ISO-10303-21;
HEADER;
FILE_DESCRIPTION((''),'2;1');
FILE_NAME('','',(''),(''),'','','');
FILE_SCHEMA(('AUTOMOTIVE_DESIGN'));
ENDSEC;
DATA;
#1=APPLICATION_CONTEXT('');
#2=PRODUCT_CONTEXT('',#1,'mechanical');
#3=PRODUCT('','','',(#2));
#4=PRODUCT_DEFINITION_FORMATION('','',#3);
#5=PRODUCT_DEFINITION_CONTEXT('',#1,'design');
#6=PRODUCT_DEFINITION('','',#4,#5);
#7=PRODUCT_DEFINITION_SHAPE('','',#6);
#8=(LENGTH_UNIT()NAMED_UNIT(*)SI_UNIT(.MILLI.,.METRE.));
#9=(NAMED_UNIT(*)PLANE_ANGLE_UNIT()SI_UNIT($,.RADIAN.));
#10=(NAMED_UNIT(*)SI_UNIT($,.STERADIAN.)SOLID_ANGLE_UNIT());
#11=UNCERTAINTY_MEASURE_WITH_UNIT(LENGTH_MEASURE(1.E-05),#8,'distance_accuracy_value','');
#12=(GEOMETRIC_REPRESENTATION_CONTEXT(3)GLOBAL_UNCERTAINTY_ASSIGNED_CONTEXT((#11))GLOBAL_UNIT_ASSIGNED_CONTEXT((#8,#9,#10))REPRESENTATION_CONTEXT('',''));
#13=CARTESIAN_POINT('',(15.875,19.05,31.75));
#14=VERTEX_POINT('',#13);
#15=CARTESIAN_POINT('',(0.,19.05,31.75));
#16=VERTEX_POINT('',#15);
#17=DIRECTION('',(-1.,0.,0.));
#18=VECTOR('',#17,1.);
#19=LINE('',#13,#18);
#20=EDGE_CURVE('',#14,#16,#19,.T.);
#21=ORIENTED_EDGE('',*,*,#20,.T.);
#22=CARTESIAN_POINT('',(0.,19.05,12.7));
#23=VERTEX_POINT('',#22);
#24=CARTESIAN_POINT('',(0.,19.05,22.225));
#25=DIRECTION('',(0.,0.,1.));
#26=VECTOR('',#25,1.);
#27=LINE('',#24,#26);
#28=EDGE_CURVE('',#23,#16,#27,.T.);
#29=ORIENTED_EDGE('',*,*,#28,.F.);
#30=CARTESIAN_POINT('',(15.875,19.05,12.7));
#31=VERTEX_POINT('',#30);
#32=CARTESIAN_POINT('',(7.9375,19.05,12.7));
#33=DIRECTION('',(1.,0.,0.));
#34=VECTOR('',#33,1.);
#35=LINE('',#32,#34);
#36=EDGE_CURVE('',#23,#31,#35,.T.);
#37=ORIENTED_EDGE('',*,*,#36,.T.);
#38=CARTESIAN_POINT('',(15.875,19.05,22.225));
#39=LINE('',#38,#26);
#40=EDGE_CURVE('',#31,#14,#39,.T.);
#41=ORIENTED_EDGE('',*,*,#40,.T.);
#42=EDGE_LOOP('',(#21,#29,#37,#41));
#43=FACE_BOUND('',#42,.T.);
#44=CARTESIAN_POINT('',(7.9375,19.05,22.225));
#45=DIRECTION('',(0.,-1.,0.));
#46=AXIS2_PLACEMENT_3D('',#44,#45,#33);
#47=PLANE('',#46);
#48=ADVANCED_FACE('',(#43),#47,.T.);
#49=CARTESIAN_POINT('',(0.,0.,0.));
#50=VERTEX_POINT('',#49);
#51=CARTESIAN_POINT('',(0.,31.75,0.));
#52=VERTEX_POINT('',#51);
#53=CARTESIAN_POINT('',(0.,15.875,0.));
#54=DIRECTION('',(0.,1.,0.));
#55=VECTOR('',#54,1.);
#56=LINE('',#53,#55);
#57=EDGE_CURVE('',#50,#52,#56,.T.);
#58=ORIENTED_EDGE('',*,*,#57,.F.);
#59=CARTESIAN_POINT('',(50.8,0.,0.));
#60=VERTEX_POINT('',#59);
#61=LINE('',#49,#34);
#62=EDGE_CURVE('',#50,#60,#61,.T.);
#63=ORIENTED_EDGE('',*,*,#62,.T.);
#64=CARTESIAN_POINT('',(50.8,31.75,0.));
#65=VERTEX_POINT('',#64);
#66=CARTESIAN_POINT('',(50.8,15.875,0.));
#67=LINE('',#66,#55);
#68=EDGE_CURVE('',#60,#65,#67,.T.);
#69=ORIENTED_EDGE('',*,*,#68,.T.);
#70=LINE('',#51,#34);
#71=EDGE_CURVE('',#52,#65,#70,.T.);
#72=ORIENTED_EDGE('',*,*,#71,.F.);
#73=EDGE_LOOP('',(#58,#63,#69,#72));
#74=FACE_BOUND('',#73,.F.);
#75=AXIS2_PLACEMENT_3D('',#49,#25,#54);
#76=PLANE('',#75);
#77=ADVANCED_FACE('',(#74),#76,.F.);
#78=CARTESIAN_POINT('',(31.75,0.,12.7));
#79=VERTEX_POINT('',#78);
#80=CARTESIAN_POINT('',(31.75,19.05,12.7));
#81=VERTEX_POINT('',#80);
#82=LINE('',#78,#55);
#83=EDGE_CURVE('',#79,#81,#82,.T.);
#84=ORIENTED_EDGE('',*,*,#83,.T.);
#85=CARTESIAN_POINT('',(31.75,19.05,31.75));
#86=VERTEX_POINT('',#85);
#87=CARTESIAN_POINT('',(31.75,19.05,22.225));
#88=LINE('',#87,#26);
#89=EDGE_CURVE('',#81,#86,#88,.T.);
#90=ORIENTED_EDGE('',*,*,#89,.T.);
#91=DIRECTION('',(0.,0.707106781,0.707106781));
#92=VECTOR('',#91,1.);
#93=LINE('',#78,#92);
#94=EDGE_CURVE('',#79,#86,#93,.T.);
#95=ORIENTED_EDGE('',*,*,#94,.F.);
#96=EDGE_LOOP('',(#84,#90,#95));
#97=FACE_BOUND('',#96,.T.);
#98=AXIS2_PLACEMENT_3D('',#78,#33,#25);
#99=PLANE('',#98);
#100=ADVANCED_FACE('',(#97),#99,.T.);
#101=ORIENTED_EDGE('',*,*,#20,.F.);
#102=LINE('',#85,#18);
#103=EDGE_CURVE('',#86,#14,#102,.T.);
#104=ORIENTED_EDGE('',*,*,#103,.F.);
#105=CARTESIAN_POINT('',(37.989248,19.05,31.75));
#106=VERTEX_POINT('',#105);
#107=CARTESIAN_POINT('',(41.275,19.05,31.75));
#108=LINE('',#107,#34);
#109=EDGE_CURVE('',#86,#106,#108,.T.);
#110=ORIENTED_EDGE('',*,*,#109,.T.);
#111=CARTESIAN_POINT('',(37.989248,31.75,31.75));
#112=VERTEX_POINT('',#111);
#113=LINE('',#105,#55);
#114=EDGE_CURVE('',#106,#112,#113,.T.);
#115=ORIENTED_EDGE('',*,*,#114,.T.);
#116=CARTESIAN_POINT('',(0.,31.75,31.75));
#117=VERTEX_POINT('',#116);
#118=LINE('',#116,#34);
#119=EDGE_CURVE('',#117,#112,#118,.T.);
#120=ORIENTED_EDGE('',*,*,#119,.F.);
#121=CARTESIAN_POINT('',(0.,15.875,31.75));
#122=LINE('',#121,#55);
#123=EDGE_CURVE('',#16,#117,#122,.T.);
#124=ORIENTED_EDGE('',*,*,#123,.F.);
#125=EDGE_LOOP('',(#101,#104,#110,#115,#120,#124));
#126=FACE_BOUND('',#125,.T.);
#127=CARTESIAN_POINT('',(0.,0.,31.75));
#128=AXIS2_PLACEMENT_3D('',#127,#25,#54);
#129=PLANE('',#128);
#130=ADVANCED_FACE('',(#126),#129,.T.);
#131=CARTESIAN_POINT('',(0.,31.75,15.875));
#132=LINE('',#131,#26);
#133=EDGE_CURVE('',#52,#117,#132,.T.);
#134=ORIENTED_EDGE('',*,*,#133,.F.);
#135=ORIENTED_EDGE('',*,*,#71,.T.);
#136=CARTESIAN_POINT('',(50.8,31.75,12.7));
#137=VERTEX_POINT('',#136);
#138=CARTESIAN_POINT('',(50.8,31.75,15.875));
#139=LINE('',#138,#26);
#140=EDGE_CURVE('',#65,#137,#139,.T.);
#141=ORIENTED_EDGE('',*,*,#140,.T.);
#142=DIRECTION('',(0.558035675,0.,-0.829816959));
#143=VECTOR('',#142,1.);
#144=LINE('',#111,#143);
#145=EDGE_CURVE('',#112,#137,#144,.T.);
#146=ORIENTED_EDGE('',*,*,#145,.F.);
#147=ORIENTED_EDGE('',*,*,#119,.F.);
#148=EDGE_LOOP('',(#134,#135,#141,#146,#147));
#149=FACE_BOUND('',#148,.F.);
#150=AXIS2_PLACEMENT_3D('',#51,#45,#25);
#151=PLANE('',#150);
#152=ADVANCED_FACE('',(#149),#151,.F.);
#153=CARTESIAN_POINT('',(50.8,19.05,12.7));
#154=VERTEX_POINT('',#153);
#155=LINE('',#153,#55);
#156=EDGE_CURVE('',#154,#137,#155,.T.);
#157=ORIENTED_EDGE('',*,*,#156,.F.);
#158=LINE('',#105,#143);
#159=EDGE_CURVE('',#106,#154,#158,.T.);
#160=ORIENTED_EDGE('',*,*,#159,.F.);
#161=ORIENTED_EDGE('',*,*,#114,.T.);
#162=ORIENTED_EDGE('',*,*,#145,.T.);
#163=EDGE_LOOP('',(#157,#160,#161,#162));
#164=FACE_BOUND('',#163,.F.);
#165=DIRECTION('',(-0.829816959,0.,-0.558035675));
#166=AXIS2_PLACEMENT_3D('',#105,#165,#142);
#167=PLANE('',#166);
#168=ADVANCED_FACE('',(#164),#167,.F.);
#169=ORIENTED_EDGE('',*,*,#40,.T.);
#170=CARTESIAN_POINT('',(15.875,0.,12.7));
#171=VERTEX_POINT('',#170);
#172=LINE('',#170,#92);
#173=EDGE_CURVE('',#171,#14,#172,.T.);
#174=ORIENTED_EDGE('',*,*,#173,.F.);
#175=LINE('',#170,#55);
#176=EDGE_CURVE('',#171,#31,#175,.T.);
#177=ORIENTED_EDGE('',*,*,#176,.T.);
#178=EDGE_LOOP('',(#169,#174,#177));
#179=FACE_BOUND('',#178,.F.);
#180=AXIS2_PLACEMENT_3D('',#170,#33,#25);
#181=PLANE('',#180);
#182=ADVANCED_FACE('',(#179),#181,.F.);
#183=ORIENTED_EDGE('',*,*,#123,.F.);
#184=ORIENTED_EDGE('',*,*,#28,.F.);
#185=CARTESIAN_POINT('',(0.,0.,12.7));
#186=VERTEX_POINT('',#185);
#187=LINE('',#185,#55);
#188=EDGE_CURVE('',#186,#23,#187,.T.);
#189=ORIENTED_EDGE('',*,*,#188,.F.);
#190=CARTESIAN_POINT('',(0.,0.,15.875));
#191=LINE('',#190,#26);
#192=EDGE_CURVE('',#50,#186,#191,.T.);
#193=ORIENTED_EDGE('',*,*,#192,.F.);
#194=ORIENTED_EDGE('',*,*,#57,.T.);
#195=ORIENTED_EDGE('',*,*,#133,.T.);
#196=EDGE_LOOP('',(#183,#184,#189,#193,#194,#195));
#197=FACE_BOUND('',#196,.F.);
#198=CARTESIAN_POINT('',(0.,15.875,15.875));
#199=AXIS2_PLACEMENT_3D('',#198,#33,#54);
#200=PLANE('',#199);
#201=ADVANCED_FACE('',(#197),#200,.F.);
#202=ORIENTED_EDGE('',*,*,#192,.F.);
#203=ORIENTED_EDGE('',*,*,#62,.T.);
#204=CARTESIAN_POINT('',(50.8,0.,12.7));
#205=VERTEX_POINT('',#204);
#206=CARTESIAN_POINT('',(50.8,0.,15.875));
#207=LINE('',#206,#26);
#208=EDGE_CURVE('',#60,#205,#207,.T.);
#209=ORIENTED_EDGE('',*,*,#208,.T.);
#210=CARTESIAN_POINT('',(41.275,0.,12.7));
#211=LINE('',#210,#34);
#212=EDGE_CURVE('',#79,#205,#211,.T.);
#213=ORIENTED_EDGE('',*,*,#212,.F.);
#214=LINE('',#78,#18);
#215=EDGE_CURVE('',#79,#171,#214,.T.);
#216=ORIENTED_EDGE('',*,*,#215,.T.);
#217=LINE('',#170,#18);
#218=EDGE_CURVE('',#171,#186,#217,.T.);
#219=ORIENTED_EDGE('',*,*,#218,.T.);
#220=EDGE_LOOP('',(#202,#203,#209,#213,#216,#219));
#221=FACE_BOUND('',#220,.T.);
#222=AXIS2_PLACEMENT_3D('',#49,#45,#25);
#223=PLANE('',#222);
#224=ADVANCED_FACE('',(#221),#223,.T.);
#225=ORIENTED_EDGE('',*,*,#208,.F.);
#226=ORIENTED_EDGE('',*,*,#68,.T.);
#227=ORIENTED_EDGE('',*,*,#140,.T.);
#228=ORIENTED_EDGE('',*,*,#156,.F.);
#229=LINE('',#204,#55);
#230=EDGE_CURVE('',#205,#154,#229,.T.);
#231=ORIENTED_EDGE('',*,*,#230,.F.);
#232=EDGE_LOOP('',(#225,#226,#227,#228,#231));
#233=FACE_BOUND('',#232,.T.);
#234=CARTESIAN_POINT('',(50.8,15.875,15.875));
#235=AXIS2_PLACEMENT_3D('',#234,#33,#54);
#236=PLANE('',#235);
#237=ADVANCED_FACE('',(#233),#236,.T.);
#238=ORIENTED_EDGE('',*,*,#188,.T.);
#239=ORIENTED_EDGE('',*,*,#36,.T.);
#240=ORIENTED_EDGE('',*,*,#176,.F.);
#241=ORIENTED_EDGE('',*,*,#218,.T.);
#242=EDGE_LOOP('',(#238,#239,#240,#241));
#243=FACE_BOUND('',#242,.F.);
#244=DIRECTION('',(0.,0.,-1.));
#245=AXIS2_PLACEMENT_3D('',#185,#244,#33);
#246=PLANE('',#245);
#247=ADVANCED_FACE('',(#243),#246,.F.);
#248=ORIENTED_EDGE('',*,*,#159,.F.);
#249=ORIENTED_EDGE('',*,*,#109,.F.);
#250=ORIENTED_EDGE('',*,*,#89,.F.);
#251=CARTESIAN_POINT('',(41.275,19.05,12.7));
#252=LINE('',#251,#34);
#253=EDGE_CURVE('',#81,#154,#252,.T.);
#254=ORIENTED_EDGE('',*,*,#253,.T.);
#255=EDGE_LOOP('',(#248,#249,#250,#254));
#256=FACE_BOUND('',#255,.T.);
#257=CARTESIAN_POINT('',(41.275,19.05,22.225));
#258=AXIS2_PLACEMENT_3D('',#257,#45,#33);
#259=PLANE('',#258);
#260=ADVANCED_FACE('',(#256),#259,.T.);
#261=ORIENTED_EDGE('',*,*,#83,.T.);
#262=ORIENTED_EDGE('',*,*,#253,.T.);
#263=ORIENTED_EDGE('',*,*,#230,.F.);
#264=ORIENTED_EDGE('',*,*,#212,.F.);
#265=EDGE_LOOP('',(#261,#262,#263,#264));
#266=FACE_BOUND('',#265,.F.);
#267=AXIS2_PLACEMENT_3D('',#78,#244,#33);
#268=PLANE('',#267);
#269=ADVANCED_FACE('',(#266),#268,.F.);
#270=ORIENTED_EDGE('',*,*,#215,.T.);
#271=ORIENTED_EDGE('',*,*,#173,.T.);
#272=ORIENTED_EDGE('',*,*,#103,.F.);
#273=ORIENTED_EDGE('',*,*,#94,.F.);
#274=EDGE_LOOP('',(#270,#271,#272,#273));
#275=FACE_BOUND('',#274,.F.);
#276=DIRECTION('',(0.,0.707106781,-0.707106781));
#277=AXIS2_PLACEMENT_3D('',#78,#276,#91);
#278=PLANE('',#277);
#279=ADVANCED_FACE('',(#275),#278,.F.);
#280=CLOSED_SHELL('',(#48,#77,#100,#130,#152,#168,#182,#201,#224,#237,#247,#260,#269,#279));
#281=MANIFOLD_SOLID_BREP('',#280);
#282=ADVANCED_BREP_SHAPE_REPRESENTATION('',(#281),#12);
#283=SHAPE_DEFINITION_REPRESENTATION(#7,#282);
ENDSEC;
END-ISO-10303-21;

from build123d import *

# Parameters (mm, degrees)
F0_W     = 31.75
F0_H     = 31.75
F1_DEPTH = 50.8
F2_W     = 19.05
F2_H     = 19.05
F3_DEPTH = 19.05
F4_W     = 15.875
F4_H     = 19.05
F5_DEPTH = 19.05
F7_DEPTH = 25.4
F9_DEPTH = 12.7


with BuildPart() as f1:
    # F0 (on Right) → F1 (new body)
    with BuildSketch(Plane.YZ):
        with Locations((15.875, 15.875)):
            Rectangle(F0_W, F0_H)
    extrude(amount=F1_DEPTH)

    # F2 (on face) → F3 (cut)
    with BuildSketch(Plane.XZ):
        with Locations((41.275, 22.225)):
            Rectangle(F2_W, F2_H)
    extrude(amount=-F3_DEPTH, mode=Mode.SUBTRACT)

    # F4 (on face) → F5 (cut)
    with BuildSketch(Plane.XZ):
        with Locations((7.9375, 22.225)):
            Rectangle(F4_W, F4_H)
    extrude(amount=-F5_DEPTH, mode=Mode.SUBTRACT)

    # F6 (on face) → F7 (cut)
    with BuildSketch(Plane.YZ.offset(31.75)):
        Polygon((0, 31.75), (0, 12.7), (19.05, 31.75), align=None)
    extrude(amount=-F7_DEPTH, mode=Mode.SUBTRACT)

    # F8 (on face) → F9 (cut)
    with BuildSketch(Plane.XZ.offset(-19.05)):
        Polygon((50.8, 12.7), (50.8, 31.75), (37.9892475903, 31.75), align=None)
    extrude(amount=-F9_DEPTH, mode=Mode.SUBTRACT)


solid = f1.part
